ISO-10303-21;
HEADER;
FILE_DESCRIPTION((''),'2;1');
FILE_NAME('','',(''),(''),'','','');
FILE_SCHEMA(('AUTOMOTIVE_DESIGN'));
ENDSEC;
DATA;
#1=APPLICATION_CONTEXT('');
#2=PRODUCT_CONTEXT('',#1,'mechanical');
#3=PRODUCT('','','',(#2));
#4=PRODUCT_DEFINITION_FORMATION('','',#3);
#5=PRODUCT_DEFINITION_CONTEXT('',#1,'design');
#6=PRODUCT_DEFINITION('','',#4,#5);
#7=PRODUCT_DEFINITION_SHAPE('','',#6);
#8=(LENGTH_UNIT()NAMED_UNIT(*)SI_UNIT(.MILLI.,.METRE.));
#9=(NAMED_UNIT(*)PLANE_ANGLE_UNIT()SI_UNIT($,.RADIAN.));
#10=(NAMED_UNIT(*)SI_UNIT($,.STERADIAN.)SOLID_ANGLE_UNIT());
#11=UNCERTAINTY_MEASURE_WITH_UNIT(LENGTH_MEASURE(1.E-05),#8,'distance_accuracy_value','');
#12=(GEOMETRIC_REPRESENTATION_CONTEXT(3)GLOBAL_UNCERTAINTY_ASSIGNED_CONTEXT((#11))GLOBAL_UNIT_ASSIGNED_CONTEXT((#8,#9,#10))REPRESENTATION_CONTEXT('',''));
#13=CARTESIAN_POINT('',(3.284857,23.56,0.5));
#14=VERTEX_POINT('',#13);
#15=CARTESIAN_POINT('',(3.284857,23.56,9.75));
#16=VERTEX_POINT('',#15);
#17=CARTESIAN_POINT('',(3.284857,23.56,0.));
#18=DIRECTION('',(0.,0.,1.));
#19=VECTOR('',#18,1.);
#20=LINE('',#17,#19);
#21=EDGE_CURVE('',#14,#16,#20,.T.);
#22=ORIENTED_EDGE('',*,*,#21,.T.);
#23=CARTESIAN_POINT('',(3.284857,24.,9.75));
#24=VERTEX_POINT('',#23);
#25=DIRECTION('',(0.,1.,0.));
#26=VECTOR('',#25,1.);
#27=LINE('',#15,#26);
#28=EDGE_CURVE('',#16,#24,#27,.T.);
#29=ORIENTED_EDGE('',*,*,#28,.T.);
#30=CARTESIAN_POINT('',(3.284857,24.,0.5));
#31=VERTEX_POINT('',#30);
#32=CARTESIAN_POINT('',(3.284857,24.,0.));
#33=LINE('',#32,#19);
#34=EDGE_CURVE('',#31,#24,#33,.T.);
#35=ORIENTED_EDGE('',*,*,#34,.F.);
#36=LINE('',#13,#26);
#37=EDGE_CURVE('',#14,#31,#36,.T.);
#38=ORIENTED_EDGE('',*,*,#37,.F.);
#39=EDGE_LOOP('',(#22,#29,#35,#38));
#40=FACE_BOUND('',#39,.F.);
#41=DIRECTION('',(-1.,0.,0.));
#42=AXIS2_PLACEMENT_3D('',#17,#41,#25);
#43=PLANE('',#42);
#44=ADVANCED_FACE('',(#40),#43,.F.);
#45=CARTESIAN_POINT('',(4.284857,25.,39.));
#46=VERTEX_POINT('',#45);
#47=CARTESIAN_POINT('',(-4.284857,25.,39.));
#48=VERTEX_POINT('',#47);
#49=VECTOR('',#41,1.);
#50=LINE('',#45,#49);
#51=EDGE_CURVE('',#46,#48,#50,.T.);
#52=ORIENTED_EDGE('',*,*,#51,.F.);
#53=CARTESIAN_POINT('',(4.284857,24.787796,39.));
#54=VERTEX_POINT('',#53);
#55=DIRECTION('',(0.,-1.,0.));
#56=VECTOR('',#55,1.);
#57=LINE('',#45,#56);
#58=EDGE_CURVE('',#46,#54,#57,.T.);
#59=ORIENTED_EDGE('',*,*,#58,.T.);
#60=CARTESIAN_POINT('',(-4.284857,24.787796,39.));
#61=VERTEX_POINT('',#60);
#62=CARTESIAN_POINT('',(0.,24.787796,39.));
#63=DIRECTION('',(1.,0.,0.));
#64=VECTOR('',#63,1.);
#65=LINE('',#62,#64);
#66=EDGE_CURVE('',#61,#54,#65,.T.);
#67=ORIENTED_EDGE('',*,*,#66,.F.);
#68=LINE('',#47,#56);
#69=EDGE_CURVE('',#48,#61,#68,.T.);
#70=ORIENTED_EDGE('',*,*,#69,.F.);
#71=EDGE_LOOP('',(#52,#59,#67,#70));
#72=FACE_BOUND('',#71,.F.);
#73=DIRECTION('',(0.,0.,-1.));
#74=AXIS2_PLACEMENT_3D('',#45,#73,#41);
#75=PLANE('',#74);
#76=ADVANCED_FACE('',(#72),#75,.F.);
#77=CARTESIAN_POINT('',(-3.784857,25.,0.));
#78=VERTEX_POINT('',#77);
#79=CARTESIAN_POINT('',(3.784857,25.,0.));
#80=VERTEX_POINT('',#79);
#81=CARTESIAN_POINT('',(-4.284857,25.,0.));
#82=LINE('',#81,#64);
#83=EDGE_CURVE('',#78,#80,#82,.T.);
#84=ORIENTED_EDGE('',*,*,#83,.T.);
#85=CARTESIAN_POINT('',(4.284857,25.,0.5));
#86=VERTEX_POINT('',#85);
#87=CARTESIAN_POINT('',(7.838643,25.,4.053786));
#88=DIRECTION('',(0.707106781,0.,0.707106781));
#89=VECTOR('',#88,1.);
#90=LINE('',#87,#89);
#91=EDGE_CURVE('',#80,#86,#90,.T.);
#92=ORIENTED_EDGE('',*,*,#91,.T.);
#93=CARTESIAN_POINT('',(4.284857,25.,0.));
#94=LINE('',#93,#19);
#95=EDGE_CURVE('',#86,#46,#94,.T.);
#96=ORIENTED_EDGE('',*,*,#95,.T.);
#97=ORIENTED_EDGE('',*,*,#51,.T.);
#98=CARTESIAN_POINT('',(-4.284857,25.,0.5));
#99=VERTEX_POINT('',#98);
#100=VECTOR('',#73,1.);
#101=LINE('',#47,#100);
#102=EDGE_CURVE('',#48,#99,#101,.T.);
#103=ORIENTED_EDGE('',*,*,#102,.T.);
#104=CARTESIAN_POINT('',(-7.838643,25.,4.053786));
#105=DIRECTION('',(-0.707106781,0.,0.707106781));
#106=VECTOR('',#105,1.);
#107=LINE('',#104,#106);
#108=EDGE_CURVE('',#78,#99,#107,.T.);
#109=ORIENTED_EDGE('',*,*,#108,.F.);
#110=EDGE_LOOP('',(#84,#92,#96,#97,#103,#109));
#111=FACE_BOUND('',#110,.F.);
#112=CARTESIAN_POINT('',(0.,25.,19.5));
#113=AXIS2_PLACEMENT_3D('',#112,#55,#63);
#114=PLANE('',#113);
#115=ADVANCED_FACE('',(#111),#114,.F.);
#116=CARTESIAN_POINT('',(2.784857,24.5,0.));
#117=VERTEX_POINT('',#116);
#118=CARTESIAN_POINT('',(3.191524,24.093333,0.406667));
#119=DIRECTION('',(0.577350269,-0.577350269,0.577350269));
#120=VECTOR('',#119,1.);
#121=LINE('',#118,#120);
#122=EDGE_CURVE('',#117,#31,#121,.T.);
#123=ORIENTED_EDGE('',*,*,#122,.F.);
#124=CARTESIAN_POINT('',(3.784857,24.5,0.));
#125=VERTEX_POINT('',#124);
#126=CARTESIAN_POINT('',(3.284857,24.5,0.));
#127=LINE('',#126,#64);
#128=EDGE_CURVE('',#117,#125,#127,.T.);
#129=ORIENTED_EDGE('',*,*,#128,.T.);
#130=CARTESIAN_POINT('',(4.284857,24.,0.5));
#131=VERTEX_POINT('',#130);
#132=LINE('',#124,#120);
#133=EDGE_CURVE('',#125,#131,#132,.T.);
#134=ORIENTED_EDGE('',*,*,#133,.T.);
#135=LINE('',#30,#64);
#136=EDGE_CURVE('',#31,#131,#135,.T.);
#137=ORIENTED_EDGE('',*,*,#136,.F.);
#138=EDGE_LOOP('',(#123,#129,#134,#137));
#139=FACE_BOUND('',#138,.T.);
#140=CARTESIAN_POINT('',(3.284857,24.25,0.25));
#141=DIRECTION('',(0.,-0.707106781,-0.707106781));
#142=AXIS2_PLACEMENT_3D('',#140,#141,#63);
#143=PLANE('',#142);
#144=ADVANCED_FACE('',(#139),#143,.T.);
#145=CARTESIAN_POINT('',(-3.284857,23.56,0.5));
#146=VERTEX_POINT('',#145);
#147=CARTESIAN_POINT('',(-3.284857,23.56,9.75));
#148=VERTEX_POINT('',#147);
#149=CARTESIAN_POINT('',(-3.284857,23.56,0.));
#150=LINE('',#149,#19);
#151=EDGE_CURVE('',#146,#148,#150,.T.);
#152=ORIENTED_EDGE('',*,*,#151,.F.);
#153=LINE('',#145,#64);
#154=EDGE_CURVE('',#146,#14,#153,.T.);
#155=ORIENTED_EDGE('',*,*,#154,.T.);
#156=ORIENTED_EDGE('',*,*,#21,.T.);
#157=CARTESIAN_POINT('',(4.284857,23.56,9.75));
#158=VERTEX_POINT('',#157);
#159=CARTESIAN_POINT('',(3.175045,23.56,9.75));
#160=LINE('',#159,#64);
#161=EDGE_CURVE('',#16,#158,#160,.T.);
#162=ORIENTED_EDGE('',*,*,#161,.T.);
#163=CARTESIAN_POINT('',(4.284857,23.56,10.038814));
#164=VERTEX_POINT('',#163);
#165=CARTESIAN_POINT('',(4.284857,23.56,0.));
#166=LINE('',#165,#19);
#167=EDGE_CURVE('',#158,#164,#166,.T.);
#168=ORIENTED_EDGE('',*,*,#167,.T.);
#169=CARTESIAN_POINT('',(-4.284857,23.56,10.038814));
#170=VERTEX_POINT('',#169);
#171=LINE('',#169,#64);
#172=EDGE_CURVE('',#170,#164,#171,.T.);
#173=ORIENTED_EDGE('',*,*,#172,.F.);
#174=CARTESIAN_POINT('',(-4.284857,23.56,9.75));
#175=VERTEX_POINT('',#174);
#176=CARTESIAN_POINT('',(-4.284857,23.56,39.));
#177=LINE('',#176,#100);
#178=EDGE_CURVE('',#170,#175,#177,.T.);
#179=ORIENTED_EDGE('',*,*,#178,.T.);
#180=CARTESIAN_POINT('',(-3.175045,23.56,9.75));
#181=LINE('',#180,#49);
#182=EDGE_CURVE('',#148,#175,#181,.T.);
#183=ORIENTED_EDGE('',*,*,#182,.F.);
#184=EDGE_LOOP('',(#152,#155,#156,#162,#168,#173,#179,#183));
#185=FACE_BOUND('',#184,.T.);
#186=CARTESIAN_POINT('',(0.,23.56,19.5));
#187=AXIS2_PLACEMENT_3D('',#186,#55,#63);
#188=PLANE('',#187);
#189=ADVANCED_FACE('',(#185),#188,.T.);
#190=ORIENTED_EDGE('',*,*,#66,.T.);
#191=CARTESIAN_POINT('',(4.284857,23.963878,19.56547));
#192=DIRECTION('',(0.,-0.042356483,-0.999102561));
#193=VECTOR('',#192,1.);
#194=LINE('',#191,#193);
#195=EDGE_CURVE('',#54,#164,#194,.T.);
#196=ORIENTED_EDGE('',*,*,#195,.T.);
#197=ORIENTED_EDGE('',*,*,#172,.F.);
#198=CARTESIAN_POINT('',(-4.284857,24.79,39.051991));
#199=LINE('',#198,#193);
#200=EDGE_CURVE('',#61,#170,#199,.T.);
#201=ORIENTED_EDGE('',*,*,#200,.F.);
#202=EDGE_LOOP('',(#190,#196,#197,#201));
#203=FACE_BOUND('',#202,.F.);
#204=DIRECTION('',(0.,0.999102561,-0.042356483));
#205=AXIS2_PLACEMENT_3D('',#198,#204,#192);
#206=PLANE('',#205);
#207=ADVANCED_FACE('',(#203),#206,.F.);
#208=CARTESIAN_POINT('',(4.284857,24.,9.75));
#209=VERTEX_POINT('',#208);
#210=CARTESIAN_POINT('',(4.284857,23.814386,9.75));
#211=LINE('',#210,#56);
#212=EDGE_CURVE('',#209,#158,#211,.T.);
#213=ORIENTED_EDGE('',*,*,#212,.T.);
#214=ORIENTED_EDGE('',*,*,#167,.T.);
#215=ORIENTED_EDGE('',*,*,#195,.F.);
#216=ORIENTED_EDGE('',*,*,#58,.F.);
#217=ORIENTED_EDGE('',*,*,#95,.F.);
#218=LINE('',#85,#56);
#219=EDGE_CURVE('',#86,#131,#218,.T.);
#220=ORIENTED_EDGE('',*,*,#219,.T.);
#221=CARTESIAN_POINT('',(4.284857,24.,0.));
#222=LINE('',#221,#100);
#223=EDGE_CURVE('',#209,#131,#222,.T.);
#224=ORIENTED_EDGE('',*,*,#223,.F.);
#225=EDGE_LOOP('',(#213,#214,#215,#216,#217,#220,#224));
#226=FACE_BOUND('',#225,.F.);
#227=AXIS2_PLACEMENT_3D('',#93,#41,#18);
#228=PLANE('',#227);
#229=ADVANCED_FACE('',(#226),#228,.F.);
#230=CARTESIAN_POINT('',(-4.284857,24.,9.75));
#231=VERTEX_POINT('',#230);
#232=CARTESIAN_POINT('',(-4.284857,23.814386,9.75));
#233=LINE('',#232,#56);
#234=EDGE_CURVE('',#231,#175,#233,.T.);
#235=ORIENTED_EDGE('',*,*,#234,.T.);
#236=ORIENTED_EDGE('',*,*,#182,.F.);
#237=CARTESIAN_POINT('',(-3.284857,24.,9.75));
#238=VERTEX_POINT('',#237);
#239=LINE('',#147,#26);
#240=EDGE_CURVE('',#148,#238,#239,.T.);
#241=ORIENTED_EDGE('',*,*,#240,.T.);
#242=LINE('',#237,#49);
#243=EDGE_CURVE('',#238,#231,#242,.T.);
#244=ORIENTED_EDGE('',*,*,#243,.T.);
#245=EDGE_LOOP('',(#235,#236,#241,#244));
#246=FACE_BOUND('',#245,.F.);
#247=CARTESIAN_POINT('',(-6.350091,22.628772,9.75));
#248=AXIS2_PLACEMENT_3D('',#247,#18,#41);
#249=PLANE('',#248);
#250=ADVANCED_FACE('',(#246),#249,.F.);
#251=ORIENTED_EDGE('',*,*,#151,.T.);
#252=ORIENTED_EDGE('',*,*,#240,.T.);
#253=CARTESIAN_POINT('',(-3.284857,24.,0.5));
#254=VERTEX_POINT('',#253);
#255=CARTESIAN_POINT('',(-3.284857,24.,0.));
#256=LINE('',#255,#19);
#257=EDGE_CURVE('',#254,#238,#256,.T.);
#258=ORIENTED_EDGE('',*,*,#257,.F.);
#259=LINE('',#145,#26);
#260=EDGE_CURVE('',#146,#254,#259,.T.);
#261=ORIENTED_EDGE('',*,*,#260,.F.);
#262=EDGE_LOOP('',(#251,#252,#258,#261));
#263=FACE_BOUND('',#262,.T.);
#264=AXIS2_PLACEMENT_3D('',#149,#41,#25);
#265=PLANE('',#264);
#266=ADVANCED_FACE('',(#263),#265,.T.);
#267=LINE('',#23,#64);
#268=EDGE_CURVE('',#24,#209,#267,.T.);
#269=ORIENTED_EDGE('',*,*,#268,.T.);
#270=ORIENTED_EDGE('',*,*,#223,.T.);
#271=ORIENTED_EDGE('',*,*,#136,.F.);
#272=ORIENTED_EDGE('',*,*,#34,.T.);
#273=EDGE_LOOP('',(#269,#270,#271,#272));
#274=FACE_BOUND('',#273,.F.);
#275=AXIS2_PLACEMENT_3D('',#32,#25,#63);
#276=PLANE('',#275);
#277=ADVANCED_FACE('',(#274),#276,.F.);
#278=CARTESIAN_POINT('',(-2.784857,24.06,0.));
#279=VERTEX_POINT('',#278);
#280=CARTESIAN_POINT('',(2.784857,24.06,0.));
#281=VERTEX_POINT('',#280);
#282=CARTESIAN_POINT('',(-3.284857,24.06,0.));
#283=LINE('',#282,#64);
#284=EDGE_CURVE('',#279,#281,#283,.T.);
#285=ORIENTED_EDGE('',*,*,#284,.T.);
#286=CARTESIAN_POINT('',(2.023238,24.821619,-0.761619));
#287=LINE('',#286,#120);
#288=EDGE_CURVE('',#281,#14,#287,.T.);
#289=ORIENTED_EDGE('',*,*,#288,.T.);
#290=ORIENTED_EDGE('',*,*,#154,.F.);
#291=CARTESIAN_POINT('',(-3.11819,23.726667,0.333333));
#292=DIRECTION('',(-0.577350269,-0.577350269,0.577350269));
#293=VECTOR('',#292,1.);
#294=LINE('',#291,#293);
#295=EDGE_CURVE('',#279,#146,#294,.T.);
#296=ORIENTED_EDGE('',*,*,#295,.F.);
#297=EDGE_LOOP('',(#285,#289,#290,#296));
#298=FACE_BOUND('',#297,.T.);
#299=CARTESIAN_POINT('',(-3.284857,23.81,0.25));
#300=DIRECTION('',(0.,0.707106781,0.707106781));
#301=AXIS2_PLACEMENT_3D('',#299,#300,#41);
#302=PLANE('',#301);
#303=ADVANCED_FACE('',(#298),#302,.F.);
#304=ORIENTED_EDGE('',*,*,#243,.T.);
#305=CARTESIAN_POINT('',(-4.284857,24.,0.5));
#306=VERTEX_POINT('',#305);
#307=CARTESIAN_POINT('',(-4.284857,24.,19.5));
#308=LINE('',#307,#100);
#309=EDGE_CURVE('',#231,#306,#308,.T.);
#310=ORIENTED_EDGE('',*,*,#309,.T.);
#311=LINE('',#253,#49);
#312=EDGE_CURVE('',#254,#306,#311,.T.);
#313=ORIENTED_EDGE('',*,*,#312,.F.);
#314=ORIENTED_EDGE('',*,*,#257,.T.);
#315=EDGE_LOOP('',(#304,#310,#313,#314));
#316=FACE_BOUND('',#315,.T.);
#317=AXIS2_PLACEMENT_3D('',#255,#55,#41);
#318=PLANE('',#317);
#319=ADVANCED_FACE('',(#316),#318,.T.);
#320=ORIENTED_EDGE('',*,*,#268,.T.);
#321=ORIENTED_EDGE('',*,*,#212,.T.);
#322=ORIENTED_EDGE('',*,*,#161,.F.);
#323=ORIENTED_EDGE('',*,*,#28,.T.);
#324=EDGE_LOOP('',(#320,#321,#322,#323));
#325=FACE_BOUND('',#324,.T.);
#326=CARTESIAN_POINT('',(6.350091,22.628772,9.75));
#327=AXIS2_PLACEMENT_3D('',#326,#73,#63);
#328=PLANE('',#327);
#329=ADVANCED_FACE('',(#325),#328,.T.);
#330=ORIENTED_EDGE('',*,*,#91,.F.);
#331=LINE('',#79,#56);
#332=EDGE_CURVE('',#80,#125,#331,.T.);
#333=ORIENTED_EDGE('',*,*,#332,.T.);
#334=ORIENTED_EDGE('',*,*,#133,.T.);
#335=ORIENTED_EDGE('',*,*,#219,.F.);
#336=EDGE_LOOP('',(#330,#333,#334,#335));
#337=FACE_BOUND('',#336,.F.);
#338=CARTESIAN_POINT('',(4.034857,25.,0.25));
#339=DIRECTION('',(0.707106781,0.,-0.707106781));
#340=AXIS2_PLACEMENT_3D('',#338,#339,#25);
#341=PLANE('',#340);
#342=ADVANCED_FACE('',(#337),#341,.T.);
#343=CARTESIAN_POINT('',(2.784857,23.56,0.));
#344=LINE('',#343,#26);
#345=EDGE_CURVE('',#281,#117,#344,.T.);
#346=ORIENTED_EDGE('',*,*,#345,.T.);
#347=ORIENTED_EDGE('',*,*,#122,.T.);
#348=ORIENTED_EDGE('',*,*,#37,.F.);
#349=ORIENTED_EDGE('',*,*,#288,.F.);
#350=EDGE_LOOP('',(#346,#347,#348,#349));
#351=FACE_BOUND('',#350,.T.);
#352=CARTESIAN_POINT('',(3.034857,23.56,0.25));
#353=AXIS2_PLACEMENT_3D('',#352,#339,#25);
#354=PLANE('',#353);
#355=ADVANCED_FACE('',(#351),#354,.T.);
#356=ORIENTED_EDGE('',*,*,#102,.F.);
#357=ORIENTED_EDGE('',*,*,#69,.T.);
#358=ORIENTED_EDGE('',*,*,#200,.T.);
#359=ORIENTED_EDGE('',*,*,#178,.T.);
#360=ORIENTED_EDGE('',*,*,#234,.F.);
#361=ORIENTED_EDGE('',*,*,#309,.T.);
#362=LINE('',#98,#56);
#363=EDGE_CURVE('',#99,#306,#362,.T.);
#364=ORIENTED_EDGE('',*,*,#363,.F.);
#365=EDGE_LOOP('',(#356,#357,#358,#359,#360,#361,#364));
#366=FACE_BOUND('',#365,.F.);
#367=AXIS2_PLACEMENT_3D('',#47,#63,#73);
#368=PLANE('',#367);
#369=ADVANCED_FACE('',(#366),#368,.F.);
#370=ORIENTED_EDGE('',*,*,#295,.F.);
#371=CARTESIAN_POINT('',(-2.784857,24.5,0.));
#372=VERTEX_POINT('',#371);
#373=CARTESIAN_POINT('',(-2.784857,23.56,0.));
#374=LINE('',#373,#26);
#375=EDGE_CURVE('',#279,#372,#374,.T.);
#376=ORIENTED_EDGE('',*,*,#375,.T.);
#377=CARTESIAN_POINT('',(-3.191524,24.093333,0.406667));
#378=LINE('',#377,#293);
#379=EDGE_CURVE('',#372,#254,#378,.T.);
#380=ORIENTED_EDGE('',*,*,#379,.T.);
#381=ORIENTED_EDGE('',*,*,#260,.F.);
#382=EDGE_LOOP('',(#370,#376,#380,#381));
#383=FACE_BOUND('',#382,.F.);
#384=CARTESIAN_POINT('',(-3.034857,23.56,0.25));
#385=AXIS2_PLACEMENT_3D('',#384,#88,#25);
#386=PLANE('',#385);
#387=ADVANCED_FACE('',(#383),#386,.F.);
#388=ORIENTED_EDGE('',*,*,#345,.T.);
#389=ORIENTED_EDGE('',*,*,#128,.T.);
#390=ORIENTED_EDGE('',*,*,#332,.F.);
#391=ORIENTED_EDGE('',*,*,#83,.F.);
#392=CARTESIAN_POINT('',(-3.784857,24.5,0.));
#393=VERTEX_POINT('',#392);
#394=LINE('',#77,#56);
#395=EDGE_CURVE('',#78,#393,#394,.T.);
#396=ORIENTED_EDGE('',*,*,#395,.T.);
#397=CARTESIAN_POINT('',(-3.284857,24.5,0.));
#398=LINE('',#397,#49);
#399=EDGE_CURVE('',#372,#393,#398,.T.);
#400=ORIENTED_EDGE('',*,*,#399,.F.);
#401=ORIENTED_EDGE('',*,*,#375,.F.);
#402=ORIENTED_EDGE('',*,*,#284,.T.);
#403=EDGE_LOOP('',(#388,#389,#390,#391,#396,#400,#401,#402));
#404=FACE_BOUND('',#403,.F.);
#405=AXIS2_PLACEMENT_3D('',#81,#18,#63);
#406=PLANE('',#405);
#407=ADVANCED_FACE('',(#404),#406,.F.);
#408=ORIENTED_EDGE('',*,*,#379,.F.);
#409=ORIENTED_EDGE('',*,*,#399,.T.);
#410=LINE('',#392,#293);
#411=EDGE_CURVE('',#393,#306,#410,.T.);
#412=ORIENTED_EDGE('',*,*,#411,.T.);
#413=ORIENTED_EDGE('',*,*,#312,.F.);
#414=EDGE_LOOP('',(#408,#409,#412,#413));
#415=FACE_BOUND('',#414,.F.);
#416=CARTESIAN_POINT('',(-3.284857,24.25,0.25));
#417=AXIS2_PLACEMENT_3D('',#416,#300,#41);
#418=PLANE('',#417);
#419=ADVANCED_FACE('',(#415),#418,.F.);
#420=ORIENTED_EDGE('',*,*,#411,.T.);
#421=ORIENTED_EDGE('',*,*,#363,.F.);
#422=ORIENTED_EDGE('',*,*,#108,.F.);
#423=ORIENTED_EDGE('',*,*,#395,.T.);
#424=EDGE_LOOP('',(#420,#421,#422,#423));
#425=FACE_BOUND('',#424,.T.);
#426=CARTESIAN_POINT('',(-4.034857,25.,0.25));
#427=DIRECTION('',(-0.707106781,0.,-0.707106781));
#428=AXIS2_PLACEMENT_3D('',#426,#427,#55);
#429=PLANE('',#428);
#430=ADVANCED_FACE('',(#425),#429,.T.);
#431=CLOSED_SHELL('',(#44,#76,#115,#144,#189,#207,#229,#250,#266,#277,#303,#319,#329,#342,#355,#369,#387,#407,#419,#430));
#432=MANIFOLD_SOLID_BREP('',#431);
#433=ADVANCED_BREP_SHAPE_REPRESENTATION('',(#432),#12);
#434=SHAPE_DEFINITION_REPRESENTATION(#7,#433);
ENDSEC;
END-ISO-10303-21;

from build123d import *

# Parameters (mm, degrees)
PAD003_DEPTH    = 1.44
POCKET004_DEPTH = 9.75
POCKET005_DEPTH = 8.570714
CHAMFER002_SIZE = 0.5


with BuildPart() as part:
    # Sketch010 → Pad003 (new body)
    with BuildSketch(Plane.XZ):
        Polygon((-4.284857, 0), (4.284857, 0), (4.284857, 9.75), (4.284857, 39), (-4.284857, 39), (-4.284857, 9.75), align=None)
    extrude(amount=PAD003_DEPTH)

    # Sketch011 (on Face1 of Pad003) → Pocket004 (cut)
    with BuildSketch(Plane(origin=(0, 0, 0), x_dir=(1, 0, 0), z_dir=(0, 0, -1))):
        Polygon((-3.284857, 1.44), (-3.284857, 1), (-8.284857, 1), (-8.284857, 4.941038), align=None)
        Polygon((8.284857, 4.941038), (3.284857, 1.44), (3.284857, 1), (8.284857, 1), align=None)
    extrude(amount=-POCKET004_DEPTH, mode=Mode.SUBTRACT)

    # Sketch012 (on Face9 of Pocket004) → Pocket005 (cut, through all)
    with BuildSketch(Plane(origin=(-4.284857, 0, 0), x_dir=(0, 0, -1), z_dir=(-1, 0, 0))):
        Polygon((-39.051991, 0.21), (-10.038814, 1.44), (-39.051991, 14.04), align=None)
    extrude(amount=-POCKET005_DEPTH, mode=Mode.SUBTRACT)

    # Chamfer002
    chamfer002_edges = [part.edges().sort_by_distance(p)[0] for p in [
        (-3.784857, -1, 0),
        (-3.284857, -1.22, 0),
        (0, -1.44, 0),
        (3.284857, -1.22, 0),
        (3.784857, -1, 0),
        (-4.284857, -0.5, 0),
        (4.284857, -0.5, 0),
    ]]
    chamfer(chamfer002_edges, length=CHAMFER002_SIZE)


with BuildPart() as part_1:
    # Body001 placement: moved
    add(part.part.moved(Location((0, 25, 0))))


solid = part_1.part
